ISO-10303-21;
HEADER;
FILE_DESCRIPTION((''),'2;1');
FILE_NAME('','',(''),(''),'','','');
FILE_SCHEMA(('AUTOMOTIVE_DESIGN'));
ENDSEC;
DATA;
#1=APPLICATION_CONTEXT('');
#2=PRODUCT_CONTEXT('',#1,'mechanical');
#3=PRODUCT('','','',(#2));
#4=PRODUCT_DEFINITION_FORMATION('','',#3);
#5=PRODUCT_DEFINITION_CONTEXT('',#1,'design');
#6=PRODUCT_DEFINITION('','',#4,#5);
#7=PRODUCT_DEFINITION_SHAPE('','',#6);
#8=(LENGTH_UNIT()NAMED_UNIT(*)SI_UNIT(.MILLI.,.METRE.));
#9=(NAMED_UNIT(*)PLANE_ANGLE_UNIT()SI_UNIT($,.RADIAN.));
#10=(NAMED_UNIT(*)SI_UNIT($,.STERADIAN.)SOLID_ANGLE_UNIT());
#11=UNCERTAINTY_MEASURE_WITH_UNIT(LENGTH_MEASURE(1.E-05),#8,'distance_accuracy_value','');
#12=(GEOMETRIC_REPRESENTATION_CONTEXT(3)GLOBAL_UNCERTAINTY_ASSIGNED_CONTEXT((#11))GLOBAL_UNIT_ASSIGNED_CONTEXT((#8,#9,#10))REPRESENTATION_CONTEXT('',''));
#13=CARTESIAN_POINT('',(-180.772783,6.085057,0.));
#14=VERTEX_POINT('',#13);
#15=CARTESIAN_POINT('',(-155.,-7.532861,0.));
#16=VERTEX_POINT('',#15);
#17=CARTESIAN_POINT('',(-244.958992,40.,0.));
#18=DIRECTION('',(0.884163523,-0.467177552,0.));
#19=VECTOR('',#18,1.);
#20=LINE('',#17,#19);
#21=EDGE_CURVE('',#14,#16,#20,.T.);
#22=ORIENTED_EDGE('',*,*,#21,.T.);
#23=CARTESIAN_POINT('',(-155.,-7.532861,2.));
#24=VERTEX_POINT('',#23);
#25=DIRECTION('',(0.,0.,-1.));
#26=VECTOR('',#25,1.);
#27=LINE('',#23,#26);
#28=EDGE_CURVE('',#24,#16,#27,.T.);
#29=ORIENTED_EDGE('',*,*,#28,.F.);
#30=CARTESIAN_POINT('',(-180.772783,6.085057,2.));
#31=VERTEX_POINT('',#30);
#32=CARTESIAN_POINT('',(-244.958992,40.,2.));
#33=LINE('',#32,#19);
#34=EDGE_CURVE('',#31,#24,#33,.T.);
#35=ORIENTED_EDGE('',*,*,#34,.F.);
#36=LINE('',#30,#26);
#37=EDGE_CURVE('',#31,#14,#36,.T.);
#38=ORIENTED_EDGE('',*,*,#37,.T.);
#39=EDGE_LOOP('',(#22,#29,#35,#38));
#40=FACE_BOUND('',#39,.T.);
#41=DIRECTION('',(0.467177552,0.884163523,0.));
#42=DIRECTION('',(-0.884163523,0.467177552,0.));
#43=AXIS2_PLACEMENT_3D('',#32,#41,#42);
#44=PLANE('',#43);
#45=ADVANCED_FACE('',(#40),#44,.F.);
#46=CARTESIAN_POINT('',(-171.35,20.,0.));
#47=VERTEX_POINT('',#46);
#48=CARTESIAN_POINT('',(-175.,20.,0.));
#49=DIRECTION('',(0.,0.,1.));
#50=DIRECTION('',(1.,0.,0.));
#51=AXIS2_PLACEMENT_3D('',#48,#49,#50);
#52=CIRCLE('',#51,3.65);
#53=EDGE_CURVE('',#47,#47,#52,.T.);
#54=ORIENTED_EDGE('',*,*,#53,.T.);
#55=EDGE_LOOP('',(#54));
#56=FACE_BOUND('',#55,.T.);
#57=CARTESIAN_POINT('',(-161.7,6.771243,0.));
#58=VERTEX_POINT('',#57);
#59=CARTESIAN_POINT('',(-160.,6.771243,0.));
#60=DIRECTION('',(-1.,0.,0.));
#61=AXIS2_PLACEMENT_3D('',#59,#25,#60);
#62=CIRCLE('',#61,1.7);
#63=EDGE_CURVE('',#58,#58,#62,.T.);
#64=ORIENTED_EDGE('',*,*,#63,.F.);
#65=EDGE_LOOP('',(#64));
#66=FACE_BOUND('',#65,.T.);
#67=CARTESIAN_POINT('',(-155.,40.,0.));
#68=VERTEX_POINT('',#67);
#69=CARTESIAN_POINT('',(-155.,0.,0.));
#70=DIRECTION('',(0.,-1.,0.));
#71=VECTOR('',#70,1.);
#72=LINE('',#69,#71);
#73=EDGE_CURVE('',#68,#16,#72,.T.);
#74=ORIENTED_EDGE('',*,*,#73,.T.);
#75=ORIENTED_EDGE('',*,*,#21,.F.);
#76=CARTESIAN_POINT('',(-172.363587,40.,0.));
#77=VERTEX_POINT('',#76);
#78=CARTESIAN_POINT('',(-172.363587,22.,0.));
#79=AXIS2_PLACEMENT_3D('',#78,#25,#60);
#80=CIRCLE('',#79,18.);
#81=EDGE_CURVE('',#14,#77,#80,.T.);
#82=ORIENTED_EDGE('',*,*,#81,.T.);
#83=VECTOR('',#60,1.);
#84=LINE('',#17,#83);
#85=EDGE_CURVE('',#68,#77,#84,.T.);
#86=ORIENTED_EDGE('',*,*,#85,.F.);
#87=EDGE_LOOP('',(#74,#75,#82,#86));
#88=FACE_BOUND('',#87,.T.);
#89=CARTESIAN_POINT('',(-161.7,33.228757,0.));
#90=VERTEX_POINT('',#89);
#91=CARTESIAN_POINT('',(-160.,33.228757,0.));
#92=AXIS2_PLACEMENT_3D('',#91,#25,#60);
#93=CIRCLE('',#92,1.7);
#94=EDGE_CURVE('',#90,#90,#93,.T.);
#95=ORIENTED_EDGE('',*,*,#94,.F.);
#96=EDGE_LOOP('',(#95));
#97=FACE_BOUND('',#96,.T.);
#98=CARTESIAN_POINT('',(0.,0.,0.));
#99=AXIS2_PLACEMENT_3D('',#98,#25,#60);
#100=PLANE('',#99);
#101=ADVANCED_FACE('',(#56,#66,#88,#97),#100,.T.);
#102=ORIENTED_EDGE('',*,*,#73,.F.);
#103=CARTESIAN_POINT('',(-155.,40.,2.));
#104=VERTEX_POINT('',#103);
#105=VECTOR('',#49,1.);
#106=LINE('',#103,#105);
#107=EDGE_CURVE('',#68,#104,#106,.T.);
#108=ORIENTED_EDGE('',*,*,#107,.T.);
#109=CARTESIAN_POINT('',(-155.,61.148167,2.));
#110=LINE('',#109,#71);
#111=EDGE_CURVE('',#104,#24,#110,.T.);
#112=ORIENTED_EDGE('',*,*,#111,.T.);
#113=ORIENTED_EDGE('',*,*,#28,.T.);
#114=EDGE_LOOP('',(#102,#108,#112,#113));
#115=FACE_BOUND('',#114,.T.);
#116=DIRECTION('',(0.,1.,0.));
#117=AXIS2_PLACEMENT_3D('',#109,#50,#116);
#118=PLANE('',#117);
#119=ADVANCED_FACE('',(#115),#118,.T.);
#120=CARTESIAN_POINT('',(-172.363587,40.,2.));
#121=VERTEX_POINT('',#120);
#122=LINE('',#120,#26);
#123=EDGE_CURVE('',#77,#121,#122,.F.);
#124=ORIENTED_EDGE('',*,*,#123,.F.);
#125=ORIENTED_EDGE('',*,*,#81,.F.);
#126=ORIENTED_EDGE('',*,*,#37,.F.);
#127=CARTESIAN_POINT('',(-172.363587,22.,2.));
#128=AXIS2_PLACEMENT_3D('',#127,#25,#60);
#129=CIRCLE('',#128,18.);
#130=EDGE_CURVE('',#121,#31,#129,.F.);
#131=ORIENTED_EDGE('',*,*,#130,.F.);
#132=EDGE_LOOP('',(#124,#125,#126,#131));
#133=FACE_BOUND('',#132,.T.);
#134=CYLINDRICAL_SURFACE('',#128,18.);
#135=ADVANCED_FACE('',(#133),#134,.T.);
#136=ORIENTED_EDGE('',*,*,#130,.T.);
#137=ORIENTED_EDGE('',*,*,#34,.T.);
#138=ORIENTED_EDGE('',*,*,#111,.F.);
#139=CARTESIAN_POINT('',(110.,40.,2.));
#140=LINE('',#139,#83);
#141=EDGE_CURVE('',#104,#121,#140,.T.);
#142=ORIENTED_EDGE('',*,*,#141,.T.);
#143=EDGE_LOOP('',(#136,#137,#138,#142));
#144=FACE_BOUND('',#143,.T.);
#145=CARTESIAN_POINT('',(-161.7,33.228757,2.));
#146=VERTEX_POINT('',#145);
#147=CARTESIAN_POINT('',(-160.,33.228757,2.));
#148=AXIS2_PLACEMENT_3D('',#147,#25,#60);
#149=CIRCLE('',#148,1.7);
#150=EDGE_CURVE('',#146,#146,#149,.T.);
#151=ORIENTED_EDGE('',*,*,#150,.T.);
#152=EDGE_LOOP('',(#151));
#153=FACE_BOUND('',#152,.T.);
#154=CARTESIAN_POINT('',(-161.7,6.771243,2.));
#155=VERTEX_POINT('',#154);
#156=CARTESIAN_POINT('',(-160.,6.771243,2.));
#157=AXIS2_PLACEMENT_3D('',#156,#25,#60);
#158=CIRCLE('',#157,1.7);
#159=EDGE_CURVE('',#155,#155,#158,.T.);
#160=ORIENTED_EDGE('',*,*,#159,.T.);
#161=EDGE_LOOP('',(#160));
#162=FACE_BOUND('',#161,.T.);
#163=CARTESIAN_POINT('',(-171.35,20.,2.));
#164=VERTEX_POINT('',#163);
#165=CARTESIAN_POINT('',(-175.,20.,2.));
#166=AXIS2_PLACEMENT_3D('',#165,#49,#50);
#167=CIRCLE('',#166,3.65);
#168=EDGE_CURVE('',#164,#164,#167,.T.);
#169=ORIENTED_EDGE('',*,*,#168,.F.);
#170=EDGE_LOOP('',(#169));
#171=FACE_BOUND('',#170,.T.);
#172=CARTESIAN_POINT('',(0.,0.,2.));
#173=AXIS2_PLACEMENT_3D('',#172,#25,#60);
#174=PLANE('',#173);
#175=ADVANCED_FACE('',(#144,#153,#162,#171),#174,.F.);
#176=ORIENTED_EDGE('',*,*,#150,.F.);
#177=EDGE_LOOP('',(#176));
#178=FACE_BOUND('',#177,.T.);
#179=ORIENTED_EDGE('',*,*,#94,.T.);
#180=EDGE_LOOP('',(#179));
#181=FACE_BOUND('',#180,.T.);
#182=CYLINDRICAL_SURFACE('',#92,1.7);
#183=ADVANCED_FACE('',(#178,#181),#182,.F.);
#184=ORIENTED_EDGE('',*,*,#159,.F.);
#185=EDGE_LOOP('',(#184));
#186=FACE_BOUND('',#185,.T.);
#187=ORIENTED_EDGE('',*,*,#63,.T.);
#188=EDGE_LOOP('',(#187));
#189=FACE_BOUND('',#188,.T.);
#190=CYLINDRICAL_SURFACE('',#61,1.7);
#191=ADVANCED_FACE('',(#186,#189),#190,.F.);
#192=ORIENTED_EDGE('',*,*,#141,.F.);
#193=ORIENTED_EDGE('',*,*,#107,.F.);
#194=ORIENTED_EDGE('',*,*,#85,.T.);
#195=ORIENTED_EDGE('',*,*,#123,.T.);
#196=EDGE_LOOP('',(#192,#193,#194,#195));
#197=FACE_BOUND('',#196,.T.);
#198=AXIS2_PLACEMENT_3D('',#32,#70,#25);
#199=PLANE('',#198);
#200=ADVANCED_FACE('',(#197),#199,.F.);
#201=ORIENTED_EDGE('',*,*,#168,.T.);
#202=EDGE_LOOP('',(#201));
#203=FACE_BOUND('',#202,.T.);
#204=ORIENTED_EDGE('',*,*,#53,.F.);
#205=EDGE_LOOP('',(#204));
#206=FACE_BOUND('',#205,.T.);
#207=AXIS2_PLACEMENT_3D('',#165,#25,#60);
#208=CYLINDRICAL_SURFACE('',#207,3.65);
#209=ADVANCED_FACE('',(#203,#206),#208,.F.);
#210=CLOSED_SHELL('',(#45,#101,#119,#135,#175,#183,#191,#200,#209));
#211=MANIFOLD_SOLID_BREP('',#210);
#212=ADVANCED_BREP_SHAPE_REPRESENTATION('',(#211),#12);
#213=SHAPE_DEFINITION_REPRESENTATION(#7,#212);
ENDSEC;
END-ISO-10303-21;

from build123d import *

# Parameters (mm, degrees)
ESQUISSE1_R                  = 3.65
BOSS_EXTRU_1_DEPTH           = 2
CONG_1_R                     = 18
CONG_2_R                     = 20
ENL_V_MAT_EXTRU_2_DEPTH      = 195.530962239
ENL_V_MAT_EXTRU_2_DEPTH_BACK = 10
ESQUISSE2_W                  = 356.718168982
ESQUISSE2_H                  = 96.805953854
D_GAGEMENT_M31_D             = 3.4


with BuildPart() as part:
    # Esquisse1 → Boss.-Extru.1 (new body)
    with BuildSketch(Plane.XY):
        Polygon((-244.958991582, 40), (-110, 40), (110, 40), (244.958991582, 40), (112.479495791, -30), (-112.479495791, -30), align=None)
        with Locations((-175, 20)):
            Circle(ESQUISSE1_R, mode=Mode.SUBTRACT)
        with Locations((-110, -20)):
            Circle(ESQUISSE1_R, mode=Mode.SUBTRACT)
        with Locations((110, -20)):
            Circle(ESQUISSE1_R, mode=Mode.SUBTRACT)
        with Locations((175, 20)):
            Circle(ESQUISSE1_R, mode=Mode.SUBTRACT)
        with Locations((0, -20)):
            Circle(ESQUISSE1_R, mode=Mode.SUBTRACT)
        with Locations((-58.333333333, 20)):
            Circle(ESQUISSE1_R, mode=Mode.SUBTRACT)
        with Locations((58.333333333, 20)):
            Circle(ESQUISSE1_R, mode=Mode.SUBTRACT)
    extrude(amount=BOSS_EXTRU_1_DEPTH)

    # Congé1
    cong_1_edges = [part.edges().sort_by_distance(p)[0] for p in [
        (-244.958991582, 40, 1),
        (244.958991582, 40, 1),
    ]]
    fillet(cong_1_edges, radius=CONG_1_R)

    # Congé2
    cong_2_edges = [part.edges().sort_by_distance(p)[0] for p in [
        (112.479495791, -30, 1),
        (-112.479495791, -30, 1),
    ]]
    fillet(cong_2_edges, radius=CONG_2_R)

    # Esquisse2 → Enlèv. mat.-Extru.2 (cut, two sides: drawn at the far end of the back side and taken through both)
    with BuildSketch(Plane.XY.offset(-ENL_V_MAT_EXTRU_2_DEPTH_BACK)):
        with Locations((23.359084491, 12.745190259)):
            Rectangle(ESQUISSE2_W, ESQUISSE2_H)
    extrude(amount=ENL_V_MAT_EXTRU_2_DEPTH + ENL_V_MAT_EXTRU_2_DEPTH_BACK, mode=Mode.SUBTRACT)

    # Dégagement M31 (through all)
    with Locations(Plane(origin=(0, 0, 0), x_dir=(-1, 0, 0), z_dir=(0, 0, -1))):
        with Locations((160, 33.228756555), (160, 6.771243445)):
            Hole(D_GAGEMENT_M31_D / 2)


solid = part.part
